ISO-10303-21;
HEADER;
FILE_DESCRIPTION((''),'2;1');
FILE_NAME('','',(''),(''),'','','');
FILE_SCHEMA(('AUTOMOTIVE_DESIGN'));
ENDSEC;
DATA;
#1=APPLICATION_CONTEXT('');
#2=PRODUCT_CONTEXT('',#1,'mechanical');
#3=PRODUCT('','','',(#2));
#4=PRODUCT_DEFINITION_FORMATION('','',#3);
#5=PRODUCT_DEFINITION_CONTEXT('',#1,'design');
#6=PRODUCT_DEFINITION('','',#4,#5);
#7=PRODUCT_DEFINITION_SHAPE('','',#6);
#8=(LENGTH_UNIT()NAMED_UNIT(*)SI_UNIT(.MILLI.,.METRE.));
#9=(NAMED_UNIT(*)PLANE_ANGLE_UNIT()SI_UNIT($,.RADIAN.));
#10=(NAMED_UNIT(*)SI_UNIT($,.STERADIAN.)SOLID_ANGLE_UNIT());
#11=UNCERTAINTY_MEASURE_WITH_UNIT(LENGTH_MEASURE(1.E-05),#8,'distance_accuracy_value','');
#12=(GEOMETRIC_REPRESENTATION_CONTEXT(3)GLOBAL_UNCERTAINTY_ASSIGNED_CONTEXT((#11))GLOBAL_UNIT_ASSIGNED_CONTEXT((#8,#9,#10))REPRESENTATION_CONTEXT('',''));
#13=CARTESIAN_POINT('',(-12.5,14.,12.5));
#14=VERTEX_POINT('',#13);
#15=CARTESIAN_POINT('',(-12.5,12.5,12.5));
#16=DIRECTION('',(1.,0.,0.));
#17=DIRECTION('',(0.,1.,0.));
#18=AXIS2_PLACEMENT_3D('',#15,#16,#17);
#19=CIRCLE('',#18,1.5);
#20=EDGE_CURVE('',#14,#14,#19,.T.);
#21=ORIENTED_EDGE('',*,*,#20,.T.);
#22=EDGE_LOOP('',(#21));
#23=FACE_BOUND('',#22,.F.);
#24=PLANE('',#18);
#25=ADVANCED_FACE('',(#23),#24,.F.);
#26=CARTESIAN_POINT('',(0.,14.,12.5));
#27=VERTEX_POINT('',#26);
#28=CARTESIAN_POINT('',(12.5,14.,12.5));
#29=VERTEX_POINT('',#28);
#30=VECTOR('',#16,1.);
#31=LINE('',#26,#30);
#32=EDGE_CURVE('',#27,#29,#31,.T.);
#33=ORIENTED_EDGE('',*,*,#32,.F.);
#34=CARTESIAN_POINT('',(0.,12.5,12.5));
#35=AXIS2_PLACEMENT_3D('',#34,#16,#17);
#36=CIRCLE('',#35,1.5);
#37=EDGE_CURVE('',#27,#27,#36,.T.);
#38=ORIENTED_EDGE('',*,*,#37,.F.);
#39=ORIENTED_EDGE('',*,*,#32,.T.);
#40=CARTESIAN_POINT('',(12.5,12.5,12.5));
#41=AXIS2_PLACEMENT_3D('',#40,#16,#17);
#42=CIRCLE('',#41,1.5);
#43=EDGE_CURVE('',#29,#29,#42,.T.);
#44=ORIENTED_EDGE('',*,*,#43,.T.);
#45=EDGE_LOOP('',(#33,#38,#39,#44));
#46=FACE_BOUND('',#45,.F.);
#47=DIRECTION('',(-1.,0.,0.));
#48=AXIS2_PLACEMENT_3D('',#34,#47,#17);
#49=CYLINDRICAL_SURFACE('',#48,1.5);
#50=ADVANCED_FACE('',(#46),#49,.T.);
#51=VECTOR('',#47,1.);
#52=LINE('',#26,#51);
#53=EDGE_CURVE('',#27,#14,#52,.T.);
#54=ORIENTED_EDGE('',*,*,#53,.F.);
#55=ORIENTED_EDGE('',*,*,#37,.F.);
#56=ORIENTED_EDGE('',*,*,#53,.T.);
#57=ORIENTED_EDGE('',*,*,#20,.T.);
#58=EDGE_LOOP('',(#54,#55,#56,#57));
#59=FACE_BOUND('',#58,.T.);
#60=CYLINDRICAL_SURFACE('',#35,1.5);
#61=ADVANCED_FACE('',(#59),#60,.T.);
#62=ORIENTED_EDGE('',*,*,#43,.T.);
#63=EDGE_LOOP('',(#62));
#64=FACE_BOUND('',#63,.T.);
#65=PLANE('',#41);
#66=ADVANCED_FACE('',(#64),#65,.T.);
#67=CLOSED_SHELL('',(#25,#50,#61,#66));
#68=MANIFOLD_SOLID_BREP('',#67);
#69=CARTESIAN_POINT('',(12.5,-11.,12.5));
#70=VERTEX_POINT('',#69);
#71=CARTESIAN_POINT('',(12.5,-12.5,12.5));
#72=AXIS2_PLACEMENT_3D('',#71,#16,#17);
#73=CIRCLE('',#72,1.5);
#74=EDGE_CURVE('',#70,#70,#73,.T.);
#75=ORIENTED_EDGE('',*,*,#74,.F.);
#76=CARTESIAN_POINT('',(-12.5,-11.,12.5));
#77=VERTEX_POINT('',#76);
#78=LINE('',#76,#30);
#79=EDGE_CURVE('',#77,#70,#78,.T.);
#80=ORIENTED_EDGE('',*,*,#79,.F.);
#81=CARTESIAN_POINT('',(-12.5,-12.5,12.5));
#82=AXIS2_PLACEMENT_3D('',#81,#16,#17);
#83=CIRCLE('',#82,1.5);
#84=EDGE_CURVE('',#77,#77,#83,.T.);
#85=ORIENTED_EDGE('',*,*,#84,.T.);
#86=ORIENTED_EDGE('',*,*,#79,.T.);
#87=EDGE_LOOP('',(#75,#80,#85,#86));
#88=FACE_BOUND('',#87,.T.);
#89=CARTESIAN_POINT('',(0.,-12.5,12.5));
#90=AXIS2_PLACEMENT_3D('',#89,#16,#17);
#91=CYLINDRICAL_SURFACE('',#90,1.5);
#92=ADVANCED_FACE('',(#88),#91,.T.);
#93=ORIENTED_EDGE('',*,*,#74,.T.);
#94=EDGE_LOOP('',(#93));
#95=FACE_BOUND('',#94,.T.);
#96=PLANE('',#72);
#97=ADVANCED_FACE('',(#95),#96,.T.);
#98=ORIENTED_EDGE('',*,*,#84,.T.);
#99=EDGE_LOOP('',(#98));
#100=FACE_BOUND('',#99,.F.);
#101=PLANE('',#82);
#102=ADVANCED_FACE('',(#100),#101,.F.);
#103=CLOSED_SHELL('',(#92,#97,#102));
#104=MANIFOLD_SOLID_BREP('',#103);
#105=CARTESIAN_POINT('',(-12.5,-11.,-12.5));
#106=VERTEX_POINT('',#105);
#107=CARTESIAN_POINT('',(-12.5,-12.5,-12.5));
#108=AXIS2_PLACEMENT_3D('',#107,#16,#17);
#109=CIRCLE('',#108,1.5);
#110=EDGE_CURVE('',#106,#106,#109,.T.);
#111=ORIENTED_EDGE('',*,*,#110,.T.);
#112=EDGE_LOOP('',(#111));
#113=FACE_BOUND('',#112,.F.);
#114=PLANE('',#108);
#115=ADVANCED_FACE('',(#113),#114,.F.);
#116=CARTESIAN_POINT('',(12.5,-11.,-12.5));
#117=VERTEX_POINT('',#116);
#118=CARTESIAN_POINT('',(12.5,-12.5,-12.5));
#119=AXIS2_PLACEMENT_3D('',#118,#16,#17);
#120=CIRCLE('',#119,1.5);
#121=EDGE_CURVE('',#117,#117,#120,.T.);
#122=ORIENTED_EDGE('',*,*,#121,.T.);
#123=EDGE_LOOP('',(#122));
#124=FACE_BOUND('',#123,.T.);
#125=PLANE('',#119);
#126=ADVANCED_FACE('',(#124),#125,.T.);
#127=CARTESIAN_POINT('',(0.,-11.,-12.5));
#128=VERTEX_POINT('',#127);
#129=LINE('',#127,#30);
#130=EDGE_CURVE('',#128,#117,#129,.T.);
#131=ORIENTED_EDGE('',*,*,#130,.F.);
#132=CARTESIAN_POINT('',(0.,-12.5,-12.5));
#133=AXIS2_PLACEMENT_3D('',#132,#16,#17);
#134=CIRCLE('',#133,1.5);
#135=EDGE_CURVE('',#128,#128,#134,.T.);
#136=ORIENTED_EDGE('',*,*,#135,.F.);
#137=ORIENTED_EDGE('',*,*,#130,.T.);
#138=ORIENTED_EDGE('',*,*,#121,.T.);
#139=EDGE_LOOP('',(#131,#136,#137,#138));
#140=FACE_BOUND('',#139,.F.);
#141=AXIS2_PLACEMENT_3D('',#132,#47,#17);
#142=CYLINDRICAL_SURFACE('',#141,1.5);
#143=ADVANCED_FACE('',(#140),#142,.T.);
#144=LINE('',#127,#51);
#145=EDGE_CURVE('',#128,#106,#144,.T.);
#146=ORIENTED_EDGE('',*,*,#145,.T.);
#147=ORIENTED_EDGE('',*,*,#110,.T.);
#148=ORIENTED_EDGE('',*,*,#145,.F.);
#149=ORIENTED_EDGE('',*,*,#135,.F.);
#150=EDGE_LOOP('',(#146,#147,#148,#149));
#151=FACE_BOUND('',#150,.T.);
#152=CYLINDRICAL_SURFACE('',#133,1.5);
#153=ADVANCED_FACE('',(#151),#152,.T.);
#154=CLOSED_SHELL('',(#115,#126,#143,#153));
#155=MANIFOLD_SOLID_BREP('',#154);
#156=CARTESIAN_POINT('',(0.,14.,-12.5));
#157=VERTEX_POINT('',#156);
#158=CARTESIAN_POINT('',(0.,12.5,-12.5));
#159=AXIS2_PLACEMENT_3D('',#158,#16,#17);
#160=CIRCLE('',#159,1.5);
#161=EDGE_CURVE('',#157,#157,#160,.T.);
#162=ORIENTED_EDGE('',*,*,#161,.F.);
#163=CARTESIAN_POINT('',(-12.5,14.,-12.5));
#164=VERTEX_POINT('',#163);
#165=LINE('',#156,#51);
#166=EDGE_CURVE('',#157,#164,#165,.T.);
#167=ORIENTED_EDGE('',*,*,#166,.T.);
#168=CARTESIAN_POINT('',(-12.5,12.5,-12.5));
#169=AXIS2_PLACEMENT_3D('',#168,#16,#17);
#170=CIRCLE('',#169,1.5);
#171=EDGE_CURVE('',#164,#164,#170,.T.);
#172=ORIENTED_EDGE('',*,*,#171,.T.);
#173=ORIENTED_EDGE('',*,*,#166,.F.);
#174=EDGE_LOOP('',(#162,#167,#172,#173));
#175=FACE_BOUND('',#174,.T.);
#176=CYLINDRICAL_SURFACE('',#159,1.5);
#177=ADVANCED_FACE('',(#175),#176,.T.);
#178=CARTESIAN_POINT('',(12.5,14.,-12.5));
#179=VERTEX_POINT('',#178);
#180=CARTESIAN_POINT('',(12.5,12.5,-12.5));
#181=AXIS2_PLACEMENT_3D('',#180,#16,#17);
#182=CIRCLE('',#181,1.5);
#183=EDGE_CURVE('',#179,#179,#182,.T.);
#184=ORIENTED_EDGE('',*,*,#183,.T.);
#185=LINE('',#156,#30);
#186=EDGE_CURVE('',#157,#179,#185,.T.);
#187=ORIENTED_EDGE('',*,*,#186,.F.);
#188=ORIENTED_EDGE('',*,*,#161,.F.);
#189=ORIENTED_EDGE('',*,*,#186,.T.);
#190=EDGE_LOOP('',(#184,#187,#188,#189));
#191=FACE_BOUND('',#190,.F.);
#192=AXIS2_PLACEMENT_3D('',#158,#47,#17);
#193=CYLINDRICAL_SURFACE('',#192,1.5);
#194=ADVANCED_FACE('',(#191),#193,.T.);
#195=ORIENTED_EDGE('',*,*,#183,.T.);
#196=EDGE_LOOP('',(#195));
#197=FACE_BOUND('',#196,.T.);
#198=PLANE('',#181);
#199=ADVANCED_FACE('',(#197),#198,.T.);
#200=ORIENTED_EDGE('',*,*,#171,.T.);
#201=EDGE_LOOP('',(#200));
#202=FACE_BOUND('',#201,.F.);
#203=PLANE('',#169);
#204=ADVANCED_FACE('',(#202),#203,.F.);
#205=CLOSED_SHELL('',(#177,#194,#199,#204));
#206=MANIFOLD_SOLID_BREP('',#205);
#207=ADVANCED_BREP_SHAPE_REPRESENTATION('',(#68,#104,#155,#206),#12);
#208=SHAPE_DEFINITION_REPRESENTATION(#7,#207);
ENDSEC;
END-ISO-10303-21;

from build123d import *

# Parameters (mm, degrees)
F0_R     = 1.5
F1_DEPTH = 12.5


with BuildPart() as f1:
    # F0 (on Right) → F1 (new body, symmetric)
    with BuildSketch(Plane.YZ):
        with Locations((12.5, 12.5)):
            Circle(F0_R)
        with Locations((12.5, -12.5)):
            Circle(F0_R)
        with Locations((-12.5, -12.5)):
            Circle(F0_R)
        with Locations((-12.5, 12.5)):
            Circle(F0_R)
    extrude(amount=F1_DEPTH, both=True)


solid = f1.part
